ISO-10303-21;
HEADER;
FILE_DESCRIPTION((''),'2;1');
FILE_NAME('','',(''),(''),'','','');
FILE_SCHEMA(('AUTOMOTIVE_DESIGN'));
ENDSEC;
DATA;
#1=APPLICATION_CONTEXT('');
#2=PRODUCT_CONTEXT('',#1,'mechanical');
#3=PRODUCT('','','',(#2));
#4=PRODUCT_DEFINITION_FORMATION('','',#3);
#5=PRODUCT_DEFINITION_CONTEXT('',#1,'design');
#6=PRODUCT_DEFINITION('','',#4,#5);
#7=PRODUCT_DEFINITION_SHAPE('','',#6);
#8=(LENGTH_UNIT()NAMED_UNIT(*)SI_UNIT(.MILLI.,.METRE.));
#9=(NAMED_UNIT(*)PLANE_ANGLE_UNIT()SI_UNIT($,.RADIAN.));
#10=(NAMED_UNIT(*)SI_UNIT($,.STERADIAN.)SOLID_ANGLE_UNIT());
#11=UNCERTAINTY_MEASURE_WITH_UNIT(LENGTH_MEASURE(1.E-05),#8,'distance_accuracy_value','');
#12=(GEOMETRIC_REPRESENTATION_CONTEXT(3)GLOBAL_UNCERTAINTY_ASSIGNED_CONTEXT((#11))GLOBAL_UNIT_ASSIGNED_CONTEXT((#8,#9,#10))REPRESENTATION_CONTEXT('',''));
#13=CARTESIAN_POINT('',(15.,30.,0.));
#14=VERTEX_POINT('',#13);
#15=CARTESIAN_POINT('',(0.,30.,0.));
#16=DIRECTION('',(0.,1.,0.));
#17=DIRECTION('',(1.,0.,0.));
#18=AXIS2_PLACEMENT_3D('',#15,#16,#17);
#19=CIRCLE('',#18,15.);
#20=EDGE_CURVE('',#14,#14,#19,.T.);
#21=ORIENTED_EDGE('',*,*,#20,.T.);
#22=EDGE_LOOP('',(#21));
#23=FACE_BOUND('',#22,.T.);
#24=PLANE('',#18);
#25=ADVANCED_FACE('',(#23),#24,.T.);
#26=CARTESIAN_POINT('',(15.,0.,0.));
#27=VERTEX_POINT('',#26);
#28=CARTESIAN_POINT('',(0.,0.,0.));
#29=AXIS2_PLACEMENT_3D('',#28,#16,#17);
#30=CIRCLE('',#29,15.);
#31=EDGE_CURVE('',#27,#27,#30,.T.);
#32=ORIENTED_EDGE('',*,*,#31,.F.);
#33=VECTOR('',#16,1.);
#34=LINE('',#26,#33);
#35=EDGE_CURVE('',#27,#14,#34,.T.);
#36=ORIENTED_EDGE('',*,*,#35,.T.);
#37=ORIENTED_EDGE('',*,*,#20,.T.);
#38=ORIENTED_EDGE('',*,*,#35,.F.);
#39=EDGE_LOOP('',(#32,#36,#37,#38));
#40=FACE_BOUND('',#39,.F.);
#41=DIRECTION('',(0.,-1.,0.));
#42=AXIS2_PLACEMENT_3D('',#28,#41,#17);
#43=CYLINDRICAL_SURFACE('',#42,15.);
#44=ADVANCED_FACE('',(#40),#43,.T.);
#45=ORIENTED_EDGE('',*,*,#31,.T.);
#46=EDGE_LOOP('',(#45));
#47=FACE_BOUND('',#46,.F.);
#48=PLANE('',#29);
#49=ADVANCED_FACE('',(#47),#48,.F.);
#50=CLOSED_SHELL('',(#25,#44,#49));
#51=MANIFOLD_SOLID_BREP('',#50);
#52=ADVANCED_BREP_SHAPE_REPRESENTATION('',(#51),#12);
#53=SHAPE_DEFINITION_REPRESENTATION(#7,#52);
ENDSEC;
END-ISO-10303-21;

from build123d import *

# Parameters (mm, degrees)
SKETCH1_R           = 15
BOSS_EXTRUDE1_DEPTH = 30


with BuildPart() as part:
    # Sketch1 → Boss-Extrude1 (new body)
    with BuildSketch(Plane(origin=(0, 0, 0), x_dir=(1, 0, 0), z_dir=(0, 1, 0))):
        Circle(SKETCH1_R)
    extrude(amount=BOSS_EXTRUDE1_DEPTH)


solid = part.part
